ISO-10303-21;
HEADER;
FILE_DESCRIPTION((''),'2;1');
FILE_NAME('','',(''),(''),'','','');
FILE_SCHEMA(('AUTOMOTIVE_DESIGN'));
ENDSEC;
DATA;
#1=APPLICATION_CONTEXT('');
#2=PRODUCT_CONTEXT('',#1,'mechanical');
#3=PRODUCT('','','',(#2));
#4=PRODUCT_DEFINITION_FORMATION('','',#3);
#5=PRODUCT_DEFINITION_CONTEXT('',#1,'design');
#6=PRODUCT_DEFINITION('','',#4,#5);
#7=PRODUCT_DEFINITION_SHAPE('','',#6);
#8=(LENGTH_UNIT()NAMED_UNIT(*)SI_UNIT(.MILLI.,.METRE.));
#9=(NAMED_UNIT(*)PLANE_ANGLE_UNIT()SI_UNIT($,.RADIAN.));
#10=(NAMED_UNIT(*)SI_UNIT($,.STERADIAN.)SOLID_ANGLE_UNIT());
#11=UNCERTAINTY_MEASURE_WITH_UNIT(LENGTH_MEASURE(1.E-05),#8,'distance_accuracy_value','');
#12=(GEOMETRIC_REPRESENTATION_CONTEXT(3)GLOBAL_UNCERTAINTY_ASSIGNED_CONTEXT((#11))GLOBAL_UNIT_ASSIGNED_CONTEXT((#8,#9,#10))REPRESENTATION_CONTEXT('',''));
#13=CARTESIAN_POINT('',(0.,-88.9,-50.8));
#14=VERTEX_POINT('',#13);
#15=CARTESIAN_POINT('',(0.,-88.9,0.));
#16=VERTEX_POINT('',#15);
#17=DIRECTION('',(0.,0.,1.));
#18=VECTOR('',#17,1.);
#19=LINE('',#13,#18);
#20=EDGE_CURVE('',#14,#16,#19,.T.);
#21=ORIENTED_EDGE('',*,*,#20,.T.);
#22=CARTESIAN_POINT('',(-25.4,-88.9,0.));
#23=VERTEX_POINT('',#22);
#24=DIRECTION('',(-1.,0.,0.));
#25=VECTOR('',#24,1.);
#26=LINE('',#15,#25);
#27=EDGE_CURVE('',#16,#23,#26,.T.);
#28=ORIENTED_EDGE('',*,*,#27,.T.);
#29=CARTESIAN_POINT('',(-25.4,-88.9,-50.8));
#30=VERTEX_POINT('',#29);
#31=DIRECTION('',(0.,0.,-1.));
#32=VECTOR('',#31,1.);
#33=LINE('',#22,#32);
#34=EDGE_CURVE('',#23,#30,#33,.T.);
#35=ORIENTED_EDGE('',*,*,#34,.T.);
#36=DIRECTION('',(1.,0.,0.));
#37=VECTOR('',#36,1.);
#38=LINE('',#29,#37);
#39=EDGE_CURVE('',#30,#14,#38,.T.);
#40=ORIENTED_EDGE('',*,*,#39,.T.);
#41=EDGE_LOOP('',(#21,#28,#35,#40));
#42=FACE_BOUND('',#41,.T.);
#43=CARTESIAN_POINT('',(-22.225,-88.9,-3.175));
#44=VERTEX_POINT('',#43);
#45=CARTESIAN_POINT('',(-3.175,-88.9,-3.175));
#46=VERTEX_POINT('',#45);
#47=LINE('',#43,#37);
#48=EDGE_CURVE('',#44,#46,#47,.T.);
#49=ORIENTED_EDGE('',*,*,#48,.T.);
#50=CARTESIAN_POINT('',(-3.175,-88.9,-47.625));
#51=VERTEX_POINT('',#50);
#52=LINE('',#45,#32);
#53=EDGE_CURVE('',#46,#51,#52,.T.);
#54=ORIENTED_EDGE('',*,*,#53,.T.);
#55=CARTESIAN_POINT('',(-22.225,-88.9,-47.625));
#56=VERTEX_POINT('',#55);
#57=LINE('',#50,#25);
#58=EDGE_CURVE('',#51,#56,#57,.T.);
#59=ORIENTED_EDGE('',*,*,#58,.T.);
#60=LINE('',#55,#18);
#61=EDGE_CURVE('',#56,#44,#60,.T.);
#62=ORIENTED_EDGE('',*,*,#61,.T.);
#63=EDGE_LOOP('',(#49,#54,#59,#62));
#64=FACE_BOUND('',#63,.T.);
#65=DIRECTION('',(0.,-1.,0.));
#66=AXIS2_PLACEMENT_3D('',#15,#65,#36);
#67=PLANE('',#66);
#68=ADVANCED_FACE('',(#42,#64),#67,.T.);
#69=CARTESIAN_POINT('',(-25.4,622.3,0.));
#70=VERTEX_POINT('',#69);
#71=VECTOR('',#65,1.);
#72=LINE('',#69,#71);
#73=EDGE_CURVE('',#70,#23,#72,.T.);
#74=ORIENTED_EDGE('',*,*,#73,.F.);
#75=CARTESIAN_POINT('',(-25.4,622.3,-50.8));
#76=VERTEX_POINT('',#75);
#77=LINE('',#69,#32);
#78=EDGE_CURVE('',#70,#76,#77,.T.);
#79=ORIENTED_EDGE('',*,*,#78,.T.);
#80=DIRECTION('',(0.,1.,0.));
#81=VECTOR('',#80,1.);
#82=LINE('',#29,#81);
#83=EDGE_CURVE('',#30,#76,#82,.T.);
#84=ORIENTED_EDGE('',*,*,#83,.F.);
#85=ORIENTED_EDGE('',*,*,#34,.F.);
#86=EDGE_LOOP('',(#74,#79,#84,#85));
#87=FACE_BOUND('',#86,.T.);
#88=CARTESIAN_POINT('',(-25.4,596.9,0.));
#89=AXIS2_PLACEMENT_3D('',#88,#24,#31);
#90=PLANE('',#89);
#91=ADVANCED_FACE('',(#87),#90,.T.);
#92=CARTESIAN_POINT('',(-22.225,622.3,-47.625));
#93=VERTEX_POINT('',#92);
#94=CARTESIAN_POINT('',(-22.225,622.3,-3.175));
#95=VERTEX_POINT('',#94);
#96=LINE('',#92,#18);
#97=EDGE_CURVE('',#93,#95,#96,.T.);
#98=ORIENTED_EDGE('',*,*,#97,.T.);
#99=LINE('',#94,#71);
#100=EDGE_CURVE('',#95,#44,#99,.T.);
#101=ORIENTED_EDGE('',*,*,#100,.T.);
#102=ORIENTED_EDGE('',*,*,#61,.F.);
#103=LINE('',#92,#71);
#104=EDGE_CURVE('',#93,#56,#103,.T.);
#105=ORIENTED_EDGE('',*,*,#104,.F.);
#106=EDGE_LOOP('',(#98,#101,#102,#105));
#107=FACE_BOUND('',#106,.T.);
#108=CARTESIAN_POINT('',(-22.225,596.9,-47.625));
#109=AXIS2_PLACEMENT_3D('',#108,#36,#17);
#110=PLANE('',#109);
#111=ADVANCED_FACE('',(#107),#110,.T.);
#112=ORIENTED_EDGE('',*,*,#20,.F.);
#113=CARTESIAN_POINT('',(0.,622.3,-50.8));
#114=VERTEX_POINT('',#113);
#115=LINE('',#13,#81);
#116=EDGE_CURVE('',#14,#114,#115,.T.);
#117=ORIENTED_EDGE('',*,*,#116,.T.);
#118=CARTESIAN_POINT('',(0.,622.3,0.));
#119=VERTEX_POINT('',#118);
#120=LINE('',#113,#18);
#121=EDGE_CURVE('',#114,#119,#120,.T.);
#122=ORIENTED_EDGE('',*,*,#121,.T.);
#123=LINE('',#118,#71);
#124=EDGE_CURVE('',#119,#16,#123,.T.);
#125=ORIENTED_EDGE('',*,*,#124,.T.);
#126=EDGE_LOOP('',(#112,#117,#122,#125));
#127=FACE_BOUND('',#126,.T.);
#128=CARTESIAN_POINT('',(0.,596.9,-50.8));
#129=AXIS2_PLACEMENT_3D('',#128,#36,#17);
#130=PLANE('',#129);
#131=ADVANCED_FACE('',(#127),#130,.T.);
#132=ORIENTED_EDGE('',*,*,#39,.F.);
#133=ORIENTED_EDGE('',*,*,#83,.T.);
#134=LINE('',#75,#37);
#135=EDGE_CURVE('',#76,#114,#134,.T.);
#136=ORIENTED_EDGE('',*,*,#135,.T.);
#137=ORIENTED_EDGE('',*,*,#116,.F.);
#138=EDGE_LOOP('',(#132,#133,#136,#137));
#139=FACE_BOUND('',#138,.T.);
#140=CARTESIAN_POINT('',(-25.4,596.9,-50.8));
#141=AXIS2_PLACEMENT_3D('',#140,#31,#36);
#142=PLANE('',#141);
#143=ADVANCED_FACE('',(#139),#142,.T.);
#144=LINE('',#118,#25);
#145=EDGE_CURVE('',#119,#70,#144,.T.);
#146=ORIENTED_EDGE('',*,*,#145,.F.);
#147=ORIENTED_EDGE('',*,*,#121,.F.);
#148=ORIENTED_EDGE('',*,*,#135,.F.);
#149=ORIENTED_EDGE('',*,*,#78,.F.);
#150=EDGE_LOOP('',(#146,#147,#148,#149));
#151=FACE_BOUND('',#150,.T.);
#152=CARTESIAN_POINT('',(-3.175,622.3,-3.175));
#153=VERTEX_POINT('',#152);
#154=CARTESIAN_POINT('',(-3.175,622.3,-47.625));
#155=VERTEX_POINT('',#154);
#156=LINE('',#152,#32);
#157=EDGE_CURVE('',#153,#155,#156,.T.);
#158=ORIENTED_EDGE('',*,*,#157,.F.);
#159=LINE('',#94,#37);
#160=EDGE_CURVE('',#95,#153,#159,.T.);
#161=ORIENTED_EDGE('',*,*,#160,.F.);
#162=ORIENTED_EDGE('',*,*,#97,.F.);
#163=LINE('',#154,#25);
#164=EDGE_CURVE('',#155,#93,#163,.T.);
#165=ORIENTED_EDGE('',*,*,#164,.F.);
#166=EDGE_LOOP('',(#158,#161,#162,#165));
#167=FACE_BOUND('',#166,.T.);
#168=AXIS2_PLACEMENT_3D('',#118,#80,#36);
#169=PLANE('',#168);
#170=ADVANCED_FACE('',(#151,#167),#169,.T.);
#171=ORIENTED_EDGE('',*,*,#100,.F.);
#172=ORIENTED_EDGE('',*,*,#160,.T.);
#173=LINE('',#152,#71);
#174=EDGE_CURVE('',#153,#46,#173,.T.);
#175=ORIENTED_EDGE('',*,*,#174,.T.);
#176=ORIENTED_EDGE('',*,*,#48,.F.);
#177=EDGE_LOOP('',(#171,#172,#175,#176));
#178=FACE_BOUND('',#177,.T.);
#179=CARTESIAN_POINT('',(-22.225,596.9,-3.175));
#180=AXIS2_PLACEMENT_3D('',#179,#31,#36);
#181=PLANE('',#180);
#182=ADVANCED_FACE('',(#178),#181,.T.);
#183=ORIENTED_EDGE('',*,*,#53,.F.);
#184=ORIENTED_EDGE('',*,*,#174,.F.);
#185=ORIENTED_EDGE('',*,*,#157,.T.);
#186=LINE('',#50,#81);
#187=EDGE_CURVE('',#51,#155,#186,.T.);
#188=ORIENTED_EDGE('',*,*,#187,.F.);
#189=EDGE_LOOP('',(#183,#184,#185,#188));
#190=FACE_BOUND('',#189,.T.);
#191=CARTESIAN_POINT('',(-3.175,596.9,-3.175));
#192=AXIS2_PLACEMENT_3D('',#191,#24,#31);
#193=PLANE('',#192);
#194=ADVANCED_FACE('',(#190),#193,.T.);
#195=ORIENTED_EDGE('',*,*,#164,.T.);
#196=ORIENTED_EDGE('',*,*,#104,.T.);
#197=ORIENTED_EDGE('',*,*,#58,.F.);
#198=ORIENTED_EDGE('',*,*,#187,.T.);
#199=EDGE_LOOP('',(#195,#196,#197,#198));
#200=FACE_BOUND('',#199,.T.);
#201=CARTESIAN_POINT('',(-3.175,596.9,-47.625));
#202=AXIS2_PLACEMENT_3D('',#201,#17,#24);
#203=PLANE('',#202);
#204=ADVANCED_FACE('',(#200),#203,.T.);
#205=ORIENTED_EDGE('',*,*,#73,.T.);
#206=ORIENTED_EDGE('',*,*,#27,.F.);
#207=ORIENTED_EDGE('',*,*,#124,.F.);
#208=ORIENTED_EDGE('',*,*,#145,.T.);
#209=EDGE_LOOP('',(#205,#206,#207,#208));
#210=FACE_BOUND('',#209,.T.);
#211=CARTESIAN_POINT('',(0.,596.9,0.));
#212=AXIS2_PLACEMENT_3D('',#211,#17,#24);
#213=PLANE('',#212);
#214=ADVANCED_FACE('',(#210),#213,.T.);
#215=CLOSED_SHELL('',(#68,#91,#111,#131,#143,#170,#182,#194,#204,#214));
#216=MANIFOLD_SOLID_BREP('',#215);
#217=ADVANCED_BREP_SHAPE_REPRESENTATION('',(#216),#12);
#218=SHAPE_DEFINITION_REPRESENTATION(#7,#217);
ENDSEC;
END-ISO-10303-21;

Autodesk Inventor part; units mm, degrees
ref_plane "YZ Plane" through (0, 0, 0) normal (1, 0, 0) x (0, 1, 0)
ref_plane "XZ Plane" through (0, 0, 0) normal (0, 1, 0) x (-1, 0, 0)
ref_plane "XY Plane" through (0, 0, 0) normal (0, 0, 1) x (1, 0, 0)
sketch "Sketch1" plane through (0, 0, 0) normal (0, 1, 0) x (-1, 0, 0)
  line L0 (0, 0) -> (25.4, 0)
  line L1 (25.4, 0) -> (25.4, -50.8)
  line L2 (25.4, -50.8) -> (0, -50.8)
  line L3 (0, -50.8) -> (0, 0)
  line L4 (22.225, -47.625) -> (22.225, -3.175)
  line L5 (22.225, -3.175) -> (3.175, -3.175)
  line L6 (3.175, -3.175) -> (3.175, -47.625)
  line L7 (3.175, -47.625) -> (22.225, -47.625)
  dimension "d0" = 25.4
  dimension "d1" = 50.8
  dimension "d2" = 3.175
extrude "Extrusion1" add sketch "Sketch1" along normal blind 533.4
sketch "Sketch2" plane through (0, 0, 0) normal (1, 0, 0) x (0, 0, -1)
  point P0 (0, 0)
sketch "Sketch3" plane through (0, 0, 0) normal (0, -1, 0) x (1, 0, 0)
  line L0 (-3.175, -47.625) -> (-22.225, -47.625) projected
  line L1 (-22.225, -47.625) -> (-22.225, -3.175) projected
  line L2 (-22.225, -3.175) -> (-3.175, -3.175) projected
  line L3 (-3.175, -3.175) -> (-3.175, -47.625) projected
  line L4 (0, 0) -> (-25.4, 0) projected
  line L5 (-25.4, 0) -> (-25.4, -50.8) projected
  line L6 (-25.4, -50.8) -> (0, -50.8) projected
  line L7 (0, -50.8) -> (0, 0) projected
extrude "Extrusion2" add sketch "Sketch3" along normal blind 88.9
sketch "Sketch4" plane through (0, 533.4, 0) normal (0, 1, 0) x (1, 0, 0)
  line L0 (-22.225, 47.625) -> (-3.175, 47.625) projected
  line L1 (-3.175, 47.625) -> (-3.175, 3.175) projected
  line L2 (-3.175, 3.175) -> (-22.225, 3.175) projected
  line L3 (-22.225, 3.175) -> (-22.225, 47.625) projected
  line L4 (-25.4, 0) -> (0, 0) projected
  line L5 (0, 0) -> (0, 50.8) projected
  line L6 (0, 50.8) -> (-25.4, 50.8) projected
  line L7 (-25.4, 50.8) -> (-25.4, 0) projected
extrude "Extrusion3" add sketch "Sketch4" along normal blind 88.9
sketch "Sketch6" plane through (0, -88.9, 0) normal (1, 0, 0) x (0, 0, -1)
  line L0 (29.7808, 711.2) -> (29.7808, 547.6875) projected
  line L1 (50.8, 711.2) -> (50.8, 0) projected
  line L2 (0, 711.2) -> (50.8, 711.2) projected
  line L3 (0, 0) -> (0, 711.2) projected
  line L4 (50.8, 0) -> (0, 0) projected
  line L5 (0, 0) -> (0, 711.2) projected
  line L6 (0, 711.2) -> (50.8, 711.2)
  line L7 (50.8, 711.2) -> (50.8, 685.8)
  line L8 (50.8, 685.8) -> (0, 685.8)
  line L9 (0, 685.8) -> (0, 711.2)
  point P0 (0, 88.9)
  dimension "d14" = 25.4
extrude "Extrusion5" cut sketch "Sketch6" against normal blind 25.4 contours L2 L1 L8 L0 | L0 L8 L3 L2
sketch "Sketch7" plane through (0, 596.9, 0) normal (0, 1, 0) x (1, 0, 0)
  line L0 (-3.175, 47.625) -> (-22.225, 47.625) projected
  line L1 (-3.175, 3.175) -> (-3.175, 47.625) projected
  line L2 (-22.225, 3.175) -> (-3.175, 3.175) projected
  line L3 (-22.225, 47.625) -> (-22.225, 3.175) projected
  line L4 (0, 50.8) -> (0, 0) projected
  line L5 (-25.4, 50.8) -> (0, 50.8) projected
  line L6 (-25.4, 0) -> (-25.4, 50.8) projected
  line L7 (0, 0) -> (-25.4, 0) projected
  point P0 (0, 0)
extrude "Extrusion6" add sketch "Sketch7" along normal blind 25.4
properties part number "2x1 20in Alluminum.ver1-1111-2019"
